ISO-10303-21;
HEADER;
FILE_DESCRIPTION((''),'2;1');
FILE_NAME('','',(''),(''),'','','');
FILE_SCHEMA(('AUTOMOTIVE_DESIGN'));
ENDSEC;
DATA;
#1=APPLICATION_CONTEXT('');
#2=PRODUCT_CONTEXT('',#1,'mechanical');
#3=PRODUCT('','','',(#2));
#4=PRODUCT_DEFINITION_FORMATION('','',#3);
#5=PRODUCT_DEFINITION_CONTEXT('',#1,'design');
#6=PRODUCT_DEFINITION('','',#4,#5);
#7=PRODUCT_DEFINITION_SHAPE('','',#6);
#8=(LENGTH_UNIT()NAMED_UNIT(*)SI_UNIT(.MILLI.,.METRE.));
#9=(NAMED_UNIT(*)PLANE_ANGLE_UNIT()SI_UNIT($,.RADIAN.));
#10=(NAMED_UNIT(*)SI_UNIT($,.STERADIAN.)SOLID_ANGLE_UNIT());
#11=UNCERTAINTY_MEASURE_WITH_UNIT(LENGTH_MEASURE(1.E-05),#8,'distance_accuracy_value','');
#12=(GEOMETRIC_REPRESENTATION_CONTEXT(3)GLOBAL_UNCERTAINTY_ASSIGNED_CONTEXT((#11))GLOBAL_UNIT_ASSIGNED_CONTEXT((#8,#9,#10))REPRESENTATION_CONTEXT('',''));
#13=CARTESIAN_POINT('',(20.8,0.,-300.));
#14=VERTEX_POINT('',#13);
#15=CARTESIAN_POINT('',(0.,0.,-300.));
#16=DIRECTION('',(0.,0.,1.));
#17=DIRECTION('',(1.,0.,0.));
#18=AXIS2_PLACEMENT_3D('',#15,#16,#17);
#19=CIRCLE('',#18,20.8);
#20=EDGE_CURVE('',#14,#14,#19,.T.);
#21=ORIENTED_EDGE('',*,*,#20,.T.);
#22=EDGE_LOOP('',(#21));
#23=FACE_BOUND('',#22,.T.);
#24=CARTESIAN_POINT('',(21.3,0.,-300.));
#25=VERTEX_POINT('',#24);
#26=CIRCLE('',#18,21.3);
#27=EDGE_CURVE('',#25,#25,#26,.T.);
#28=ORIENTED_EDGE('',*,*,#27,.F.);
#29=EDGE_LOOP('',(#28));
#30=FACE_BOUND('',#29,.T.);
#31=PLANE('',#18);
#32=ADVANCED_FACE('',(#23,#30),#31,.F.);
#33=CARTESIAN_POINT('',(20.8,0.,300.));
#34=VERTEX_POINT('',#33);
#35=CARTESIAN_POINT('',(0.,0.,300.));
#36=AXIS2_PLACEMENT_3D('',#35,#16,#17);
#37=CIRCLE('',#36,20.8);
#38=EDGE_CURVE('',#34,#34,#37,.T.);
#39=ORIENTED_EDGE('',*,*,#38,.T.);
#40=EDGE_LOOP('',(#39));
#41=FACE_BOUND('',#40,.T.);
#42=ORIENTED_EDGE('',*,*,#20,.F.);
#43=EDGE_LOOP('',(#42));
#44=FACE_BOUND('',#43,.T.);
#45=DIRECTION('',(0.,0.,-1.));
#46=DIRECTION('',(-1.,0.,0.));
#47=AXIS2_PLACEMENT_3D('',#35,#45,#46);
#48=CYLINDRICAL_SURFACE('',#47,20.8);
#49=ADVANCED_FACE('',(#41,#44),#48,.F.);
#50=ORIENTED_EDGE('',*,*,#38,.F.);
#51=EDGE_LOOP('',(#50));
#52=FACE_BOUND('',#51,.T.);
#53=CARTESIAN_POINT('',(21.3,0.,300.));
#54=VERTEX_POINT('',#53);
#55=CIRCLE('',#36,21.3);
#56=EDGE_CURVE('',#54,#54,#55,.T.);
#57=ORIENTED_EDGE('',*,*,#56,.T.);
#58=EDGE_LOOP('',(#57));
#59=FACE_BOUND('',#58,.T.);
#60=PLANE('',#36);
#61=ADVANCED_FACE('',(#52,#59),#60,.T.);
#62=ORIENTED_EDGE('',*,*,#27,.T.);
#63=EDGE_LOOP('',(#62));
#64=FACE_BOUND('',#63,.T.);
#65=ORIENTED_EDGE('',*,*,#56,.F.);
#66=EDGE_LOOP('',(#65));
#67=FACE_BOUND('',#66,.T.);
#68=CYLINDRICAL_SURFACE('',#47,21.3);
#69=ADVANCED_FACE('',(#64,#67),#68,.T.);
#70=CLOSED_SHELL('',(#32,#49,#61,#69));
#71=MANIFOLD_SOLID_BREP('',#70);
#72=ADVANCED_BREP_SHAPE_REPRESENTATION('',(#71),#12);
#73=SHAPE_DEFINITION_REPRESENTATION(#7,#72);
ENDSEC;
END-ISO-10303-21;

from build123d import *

# Parameters (mm, degrees)
SKETCH1_R           = 21.3
SKETCH1_R_2         = 20.8
BOSS_EXTRUDE1_DEPTH = 300


with BuildPart() as part:
    # Sketch1 → Boss-Extrude1 (new, symmetric)
    with BuildSketch(Plane.XY):
        Circle(SKETCH1_R)
        Circle(SKETCH1_R_2, mode=Mode.SUBTRACT)
    extrude(amount=BOSS_EXTRUDE1_DEPTH, both=True)


solid = part.part
